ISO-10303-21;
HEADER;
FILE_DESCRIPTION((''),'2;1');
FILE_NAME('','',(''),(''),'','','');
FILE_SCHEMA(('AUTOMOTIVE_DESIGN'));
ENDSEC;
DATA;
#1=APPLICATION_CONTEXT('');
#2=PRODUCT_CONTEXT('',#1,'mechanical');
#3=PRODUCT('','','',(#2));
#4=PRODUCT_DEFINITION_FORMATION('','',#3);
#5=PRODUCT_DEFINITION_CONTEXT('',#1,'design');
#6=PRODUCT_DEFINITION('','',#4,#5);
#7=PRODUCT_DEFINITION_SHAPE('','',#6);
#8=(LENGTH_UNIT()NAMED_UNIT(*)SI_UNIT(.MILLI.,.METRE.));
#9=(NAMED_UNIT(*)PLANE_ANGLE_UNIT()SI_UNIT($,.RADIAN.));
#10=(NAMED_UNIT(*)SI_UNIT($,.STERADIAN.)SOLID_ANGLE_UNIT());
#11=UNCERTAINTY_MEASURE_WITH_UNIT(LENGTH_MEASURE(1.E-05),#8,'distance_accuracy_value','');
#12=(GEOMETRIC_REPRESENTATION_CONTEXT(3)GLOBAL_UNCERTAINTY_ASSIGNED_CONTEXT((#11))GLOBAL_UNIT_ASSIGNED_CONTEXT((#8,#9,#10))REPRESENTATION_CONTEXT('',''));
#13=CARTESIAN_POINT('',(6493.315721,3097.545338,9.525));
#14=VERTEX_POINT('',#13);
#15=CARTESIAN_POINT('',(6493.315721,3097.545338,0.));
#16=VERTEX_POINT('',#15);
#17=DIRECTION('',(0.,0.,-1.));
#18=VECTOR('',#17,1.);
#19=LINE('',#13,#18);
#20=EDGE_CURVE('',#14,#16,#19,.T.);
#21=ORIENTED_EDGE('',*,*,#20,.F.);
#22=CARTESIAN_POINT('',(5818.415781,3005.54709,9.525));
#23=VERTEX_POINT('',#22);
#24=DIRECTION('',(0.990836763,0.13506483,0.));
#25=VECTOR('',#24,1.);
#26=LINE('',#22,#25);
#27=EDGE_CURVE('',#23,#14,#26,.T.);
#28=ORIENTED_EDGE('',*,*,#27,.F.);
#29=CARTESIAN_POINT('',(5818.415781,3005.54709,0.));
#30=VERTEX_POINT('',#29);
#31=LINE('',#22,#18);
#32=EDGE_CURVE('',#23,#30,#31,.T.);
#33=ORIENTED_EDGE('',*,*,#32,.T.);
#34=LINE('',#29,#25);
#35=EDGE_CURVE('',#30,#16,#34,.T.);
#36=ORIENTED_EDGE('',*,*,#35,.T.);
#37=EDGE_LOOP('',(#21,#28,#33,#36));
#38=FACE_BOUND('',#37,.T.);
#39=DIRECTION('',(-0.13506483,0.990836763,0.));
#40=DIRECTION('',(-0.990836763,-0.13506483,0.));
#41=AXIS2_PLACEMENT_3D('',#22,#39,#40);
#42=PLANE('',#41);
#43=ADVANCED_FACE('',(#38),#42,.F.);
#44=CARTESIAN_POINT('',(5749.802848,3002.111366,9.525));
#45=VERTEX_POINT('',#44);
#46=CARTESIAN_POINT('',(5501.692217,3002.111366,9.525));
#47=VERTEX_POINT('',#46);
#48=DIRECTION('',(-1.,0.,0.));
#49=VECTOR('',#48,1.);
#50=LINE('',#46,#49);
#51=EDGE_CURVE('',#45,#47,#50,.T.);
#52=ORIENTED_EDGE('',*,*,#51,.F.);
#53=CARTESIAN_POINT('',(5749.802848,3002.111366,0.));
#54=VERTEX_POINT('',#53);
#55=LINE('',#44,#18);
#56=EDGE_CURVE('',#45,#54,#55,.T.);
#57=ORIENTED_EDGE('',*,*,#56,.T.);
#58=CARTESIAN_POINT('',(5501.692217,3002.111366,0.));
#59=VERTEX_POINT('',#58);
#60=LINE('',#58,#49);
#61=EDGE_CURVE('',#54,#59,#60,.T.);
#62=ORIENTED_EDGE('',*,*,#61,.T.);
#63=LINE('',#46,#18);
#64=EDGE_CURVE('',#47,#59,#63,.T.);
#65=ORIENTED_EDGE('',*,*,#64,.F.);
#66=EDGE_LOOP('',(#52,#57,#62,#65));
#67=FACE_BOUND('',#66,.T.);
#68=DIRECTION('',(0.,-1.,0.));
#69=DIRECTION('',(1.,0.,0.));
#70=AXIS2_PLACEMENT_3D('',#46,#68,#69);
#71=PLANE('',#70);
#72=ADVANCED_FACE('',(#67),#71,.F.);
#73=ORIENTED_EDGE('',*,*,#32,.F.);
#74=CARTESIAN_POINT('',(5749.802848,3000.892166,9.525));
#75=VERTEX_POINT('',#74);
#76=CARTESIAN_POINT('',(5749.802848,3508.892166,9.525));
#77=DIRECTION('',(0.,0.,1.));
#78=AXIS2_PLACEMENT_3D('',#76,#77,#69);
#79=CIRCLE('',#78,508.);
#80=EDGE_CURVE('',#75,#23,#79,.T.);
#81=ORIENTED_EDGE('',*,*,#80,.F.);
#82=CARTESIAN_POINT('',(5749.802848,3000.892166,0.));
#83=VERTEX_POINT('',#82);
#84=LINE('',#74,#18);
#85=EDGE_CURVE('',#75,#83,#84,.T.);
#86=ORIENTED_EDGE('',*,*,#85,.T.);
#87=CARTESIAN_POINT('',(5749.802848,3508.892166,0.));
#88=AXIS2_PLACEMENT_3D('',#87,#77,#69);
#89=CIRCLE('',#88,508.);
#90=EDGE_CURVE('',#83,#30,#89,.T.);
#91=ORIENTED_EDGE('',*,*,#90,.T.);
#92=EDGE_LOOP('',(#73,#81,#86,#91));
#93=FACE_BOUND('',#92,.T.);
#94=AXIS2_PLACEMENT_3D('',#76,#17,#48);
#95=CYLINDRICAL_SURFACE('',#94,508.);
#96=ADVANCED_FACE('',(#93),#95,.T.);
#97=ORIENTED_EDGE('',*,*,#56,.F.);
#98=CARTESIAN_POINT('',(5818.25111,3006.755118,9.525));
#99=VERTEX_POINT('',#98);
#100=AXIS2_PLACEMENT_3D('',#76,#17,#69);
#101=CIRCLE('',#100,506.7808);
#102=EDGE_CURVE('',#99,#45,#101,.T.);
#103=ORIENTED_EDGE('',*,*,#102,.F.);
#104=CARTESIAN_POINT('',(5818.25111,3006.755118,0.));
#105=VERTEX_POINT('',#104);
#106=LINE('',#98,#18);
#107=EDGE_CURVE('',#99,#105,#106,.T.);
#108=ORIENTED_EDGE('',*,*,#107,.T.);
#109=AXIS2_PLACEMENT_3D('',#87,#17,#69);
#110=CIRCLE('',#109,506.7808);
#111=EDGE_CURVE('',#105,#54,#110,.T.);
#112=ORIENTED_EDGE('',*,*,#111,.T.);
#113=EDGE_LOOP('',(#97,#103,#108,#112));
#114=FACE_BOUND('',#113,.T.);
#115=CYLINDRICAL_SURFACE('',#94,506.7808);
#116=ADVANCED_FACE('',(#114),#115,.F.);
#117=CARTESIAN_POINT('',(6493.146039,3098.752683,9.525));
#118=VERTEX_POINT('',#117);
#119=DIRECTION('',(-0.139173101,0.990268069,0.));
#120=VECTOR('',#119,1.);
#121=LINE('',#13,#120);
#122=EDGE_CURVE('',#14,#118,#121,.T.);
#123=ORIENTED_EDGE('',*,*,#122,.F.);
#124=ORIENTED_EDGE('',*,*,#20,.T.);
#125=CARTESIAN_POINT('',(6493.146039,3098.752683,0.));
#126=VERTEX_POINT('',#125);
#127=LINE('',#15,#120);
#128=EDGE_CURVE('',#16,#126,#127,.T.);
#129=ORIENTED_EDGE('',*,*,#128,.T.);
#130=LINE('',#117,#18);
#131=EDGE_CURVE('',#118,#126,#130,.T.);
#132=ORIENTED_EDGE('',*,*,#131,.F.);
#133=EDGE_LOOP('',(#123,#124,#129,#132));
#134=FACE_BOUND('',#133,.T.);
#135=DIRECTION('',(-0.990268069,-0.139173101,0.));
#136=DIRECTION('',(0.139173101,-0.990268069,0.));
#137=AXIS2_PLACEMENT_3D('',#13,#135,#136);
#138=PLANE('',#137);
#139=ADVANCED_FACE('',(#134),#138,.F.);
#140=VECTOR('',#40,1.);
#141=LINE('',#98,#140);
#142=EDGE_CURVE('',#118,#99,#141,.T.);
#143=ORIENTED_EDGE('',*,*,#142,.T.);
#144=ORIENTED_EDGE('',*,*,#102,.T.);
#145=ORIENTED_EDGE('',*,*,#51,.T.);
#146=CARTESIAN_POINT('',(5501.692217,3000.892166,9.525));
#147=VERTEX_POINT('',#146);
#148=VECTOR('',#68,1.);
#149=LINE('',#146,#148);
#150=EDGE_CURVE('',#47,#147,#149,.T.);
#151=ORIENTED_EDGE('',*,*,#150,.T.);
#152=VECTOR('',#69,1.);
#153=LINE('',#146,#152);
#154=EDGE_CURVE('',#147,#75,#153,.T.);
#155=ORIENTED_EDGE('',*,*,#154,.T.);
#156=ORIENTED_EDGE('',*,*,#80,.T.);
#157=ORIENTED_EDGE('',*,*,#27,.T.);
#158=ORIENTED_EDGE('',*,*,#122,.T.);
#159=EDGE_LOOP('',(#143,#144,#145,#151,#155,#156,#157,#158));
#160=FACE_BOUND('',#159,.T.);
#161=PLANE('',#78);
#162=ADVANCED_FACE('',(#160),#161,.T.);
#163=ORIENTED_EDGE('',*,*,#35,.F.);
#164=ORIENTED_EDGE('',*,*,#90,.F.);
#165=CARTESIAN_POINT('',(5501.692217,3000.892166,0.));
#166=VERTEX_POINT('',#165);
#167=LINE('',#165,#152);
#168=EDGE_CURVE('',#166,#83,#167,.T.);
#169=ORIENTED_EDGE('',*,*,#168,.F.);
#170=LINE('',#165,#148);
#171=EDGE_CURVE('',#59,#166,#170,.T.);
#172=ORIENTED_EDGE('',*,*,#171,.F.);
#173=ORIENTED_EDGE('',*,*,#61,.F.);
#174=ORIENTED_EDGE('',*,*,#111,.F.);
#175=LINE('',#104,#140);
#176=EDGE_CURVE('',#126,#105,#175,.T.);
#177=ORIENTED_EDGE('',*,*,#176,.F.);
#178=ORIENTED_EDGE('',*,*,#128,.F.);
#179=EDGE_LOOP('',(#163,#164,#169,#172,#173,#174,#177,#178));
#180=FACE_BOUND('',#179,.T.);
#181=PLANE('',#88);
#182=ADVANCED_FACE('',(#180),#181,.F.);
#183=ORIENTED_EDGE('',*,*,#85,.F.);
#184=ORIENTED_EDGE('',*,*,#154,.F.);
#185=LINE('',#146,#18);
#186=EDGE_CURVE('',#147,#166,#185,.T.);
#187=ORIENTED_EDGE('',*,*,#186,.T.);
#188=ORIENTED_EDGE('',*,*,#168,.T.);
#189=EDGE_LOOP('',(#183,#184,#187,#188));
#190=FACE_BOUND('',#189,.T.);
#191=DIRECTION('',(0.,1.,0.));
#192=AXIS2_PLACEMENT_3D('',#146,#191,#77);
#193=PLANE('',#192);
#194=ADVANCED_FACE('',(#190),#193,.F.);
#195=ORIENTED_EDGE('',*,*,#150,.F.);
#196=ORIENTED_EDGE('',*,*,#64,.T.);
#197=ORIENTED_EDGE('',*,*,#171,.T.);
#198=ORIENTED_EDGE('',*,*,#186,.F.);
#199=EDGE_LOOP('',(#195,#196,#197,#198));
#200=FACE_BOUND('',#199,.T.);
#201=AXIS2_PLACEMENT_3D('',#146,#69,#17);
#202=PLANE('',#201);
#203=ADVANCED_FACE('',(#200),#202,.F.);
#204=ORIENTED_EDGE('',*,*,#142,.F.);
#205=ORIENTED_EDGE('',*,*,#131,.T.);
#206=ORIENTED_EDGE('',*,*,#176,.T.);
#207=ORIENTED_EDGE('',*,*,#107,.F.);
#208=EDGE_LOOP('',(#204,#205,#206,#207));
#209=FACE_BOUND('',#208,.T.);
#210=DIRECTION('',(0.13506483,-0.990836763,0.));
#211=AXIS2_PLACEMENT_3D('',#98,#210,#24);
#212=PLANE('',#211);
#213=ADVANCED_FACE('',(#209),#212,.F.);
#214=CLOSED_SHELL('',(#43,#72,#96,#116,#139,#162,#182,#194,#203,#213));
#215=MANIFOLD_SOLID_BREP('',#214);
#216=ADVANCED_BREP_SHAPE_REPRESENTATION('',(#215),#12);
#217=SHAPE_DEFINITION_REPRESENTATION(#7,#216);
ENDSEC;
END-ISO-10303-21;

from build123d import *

# Parameters (mm, degrees)
BOSS_EXTRUDE1_DEPTH = 9.525


with BuildPart() as part:
    # Sketch2 → Boss-Extrude1 (new body)
    with BuildSketch(Plane.XY):
        with BuildLine():
            Line((5501.692216973, 3000.892166094), (5501.692216973, 3002.111366094))
            Line((5501.692216973, 3002.111366094), (5749.802847516, 3002.111366094))
            ThreePointArc((5749.802847516, 3002.111366094), (5784.105650255, 3003.27363699), (5818.251110217, 3006.755118484))
            Line((5818.251110217, 3006.755118484), (6493.146039363, 3098.752682945))
            Line((6493.146039363, 3098.752682945), (6493.315720667, 3097.545337731))
            Line((6493.315720667, 3097.545337731), (5818.415781258, 3005.547090302))
            ThreePointArc((5818.415781258, 3005.547090302), (5784.188175041, 3002.057233151), (5749.802847516, 3000.892166094))
            Line((5749.802847516, 3000.892166094), (5501.692216973, 3000.892166094))
        make_face()
    extrude(amount=BOSS_EXTRUDE1_DEPTH)


solid = part.part
